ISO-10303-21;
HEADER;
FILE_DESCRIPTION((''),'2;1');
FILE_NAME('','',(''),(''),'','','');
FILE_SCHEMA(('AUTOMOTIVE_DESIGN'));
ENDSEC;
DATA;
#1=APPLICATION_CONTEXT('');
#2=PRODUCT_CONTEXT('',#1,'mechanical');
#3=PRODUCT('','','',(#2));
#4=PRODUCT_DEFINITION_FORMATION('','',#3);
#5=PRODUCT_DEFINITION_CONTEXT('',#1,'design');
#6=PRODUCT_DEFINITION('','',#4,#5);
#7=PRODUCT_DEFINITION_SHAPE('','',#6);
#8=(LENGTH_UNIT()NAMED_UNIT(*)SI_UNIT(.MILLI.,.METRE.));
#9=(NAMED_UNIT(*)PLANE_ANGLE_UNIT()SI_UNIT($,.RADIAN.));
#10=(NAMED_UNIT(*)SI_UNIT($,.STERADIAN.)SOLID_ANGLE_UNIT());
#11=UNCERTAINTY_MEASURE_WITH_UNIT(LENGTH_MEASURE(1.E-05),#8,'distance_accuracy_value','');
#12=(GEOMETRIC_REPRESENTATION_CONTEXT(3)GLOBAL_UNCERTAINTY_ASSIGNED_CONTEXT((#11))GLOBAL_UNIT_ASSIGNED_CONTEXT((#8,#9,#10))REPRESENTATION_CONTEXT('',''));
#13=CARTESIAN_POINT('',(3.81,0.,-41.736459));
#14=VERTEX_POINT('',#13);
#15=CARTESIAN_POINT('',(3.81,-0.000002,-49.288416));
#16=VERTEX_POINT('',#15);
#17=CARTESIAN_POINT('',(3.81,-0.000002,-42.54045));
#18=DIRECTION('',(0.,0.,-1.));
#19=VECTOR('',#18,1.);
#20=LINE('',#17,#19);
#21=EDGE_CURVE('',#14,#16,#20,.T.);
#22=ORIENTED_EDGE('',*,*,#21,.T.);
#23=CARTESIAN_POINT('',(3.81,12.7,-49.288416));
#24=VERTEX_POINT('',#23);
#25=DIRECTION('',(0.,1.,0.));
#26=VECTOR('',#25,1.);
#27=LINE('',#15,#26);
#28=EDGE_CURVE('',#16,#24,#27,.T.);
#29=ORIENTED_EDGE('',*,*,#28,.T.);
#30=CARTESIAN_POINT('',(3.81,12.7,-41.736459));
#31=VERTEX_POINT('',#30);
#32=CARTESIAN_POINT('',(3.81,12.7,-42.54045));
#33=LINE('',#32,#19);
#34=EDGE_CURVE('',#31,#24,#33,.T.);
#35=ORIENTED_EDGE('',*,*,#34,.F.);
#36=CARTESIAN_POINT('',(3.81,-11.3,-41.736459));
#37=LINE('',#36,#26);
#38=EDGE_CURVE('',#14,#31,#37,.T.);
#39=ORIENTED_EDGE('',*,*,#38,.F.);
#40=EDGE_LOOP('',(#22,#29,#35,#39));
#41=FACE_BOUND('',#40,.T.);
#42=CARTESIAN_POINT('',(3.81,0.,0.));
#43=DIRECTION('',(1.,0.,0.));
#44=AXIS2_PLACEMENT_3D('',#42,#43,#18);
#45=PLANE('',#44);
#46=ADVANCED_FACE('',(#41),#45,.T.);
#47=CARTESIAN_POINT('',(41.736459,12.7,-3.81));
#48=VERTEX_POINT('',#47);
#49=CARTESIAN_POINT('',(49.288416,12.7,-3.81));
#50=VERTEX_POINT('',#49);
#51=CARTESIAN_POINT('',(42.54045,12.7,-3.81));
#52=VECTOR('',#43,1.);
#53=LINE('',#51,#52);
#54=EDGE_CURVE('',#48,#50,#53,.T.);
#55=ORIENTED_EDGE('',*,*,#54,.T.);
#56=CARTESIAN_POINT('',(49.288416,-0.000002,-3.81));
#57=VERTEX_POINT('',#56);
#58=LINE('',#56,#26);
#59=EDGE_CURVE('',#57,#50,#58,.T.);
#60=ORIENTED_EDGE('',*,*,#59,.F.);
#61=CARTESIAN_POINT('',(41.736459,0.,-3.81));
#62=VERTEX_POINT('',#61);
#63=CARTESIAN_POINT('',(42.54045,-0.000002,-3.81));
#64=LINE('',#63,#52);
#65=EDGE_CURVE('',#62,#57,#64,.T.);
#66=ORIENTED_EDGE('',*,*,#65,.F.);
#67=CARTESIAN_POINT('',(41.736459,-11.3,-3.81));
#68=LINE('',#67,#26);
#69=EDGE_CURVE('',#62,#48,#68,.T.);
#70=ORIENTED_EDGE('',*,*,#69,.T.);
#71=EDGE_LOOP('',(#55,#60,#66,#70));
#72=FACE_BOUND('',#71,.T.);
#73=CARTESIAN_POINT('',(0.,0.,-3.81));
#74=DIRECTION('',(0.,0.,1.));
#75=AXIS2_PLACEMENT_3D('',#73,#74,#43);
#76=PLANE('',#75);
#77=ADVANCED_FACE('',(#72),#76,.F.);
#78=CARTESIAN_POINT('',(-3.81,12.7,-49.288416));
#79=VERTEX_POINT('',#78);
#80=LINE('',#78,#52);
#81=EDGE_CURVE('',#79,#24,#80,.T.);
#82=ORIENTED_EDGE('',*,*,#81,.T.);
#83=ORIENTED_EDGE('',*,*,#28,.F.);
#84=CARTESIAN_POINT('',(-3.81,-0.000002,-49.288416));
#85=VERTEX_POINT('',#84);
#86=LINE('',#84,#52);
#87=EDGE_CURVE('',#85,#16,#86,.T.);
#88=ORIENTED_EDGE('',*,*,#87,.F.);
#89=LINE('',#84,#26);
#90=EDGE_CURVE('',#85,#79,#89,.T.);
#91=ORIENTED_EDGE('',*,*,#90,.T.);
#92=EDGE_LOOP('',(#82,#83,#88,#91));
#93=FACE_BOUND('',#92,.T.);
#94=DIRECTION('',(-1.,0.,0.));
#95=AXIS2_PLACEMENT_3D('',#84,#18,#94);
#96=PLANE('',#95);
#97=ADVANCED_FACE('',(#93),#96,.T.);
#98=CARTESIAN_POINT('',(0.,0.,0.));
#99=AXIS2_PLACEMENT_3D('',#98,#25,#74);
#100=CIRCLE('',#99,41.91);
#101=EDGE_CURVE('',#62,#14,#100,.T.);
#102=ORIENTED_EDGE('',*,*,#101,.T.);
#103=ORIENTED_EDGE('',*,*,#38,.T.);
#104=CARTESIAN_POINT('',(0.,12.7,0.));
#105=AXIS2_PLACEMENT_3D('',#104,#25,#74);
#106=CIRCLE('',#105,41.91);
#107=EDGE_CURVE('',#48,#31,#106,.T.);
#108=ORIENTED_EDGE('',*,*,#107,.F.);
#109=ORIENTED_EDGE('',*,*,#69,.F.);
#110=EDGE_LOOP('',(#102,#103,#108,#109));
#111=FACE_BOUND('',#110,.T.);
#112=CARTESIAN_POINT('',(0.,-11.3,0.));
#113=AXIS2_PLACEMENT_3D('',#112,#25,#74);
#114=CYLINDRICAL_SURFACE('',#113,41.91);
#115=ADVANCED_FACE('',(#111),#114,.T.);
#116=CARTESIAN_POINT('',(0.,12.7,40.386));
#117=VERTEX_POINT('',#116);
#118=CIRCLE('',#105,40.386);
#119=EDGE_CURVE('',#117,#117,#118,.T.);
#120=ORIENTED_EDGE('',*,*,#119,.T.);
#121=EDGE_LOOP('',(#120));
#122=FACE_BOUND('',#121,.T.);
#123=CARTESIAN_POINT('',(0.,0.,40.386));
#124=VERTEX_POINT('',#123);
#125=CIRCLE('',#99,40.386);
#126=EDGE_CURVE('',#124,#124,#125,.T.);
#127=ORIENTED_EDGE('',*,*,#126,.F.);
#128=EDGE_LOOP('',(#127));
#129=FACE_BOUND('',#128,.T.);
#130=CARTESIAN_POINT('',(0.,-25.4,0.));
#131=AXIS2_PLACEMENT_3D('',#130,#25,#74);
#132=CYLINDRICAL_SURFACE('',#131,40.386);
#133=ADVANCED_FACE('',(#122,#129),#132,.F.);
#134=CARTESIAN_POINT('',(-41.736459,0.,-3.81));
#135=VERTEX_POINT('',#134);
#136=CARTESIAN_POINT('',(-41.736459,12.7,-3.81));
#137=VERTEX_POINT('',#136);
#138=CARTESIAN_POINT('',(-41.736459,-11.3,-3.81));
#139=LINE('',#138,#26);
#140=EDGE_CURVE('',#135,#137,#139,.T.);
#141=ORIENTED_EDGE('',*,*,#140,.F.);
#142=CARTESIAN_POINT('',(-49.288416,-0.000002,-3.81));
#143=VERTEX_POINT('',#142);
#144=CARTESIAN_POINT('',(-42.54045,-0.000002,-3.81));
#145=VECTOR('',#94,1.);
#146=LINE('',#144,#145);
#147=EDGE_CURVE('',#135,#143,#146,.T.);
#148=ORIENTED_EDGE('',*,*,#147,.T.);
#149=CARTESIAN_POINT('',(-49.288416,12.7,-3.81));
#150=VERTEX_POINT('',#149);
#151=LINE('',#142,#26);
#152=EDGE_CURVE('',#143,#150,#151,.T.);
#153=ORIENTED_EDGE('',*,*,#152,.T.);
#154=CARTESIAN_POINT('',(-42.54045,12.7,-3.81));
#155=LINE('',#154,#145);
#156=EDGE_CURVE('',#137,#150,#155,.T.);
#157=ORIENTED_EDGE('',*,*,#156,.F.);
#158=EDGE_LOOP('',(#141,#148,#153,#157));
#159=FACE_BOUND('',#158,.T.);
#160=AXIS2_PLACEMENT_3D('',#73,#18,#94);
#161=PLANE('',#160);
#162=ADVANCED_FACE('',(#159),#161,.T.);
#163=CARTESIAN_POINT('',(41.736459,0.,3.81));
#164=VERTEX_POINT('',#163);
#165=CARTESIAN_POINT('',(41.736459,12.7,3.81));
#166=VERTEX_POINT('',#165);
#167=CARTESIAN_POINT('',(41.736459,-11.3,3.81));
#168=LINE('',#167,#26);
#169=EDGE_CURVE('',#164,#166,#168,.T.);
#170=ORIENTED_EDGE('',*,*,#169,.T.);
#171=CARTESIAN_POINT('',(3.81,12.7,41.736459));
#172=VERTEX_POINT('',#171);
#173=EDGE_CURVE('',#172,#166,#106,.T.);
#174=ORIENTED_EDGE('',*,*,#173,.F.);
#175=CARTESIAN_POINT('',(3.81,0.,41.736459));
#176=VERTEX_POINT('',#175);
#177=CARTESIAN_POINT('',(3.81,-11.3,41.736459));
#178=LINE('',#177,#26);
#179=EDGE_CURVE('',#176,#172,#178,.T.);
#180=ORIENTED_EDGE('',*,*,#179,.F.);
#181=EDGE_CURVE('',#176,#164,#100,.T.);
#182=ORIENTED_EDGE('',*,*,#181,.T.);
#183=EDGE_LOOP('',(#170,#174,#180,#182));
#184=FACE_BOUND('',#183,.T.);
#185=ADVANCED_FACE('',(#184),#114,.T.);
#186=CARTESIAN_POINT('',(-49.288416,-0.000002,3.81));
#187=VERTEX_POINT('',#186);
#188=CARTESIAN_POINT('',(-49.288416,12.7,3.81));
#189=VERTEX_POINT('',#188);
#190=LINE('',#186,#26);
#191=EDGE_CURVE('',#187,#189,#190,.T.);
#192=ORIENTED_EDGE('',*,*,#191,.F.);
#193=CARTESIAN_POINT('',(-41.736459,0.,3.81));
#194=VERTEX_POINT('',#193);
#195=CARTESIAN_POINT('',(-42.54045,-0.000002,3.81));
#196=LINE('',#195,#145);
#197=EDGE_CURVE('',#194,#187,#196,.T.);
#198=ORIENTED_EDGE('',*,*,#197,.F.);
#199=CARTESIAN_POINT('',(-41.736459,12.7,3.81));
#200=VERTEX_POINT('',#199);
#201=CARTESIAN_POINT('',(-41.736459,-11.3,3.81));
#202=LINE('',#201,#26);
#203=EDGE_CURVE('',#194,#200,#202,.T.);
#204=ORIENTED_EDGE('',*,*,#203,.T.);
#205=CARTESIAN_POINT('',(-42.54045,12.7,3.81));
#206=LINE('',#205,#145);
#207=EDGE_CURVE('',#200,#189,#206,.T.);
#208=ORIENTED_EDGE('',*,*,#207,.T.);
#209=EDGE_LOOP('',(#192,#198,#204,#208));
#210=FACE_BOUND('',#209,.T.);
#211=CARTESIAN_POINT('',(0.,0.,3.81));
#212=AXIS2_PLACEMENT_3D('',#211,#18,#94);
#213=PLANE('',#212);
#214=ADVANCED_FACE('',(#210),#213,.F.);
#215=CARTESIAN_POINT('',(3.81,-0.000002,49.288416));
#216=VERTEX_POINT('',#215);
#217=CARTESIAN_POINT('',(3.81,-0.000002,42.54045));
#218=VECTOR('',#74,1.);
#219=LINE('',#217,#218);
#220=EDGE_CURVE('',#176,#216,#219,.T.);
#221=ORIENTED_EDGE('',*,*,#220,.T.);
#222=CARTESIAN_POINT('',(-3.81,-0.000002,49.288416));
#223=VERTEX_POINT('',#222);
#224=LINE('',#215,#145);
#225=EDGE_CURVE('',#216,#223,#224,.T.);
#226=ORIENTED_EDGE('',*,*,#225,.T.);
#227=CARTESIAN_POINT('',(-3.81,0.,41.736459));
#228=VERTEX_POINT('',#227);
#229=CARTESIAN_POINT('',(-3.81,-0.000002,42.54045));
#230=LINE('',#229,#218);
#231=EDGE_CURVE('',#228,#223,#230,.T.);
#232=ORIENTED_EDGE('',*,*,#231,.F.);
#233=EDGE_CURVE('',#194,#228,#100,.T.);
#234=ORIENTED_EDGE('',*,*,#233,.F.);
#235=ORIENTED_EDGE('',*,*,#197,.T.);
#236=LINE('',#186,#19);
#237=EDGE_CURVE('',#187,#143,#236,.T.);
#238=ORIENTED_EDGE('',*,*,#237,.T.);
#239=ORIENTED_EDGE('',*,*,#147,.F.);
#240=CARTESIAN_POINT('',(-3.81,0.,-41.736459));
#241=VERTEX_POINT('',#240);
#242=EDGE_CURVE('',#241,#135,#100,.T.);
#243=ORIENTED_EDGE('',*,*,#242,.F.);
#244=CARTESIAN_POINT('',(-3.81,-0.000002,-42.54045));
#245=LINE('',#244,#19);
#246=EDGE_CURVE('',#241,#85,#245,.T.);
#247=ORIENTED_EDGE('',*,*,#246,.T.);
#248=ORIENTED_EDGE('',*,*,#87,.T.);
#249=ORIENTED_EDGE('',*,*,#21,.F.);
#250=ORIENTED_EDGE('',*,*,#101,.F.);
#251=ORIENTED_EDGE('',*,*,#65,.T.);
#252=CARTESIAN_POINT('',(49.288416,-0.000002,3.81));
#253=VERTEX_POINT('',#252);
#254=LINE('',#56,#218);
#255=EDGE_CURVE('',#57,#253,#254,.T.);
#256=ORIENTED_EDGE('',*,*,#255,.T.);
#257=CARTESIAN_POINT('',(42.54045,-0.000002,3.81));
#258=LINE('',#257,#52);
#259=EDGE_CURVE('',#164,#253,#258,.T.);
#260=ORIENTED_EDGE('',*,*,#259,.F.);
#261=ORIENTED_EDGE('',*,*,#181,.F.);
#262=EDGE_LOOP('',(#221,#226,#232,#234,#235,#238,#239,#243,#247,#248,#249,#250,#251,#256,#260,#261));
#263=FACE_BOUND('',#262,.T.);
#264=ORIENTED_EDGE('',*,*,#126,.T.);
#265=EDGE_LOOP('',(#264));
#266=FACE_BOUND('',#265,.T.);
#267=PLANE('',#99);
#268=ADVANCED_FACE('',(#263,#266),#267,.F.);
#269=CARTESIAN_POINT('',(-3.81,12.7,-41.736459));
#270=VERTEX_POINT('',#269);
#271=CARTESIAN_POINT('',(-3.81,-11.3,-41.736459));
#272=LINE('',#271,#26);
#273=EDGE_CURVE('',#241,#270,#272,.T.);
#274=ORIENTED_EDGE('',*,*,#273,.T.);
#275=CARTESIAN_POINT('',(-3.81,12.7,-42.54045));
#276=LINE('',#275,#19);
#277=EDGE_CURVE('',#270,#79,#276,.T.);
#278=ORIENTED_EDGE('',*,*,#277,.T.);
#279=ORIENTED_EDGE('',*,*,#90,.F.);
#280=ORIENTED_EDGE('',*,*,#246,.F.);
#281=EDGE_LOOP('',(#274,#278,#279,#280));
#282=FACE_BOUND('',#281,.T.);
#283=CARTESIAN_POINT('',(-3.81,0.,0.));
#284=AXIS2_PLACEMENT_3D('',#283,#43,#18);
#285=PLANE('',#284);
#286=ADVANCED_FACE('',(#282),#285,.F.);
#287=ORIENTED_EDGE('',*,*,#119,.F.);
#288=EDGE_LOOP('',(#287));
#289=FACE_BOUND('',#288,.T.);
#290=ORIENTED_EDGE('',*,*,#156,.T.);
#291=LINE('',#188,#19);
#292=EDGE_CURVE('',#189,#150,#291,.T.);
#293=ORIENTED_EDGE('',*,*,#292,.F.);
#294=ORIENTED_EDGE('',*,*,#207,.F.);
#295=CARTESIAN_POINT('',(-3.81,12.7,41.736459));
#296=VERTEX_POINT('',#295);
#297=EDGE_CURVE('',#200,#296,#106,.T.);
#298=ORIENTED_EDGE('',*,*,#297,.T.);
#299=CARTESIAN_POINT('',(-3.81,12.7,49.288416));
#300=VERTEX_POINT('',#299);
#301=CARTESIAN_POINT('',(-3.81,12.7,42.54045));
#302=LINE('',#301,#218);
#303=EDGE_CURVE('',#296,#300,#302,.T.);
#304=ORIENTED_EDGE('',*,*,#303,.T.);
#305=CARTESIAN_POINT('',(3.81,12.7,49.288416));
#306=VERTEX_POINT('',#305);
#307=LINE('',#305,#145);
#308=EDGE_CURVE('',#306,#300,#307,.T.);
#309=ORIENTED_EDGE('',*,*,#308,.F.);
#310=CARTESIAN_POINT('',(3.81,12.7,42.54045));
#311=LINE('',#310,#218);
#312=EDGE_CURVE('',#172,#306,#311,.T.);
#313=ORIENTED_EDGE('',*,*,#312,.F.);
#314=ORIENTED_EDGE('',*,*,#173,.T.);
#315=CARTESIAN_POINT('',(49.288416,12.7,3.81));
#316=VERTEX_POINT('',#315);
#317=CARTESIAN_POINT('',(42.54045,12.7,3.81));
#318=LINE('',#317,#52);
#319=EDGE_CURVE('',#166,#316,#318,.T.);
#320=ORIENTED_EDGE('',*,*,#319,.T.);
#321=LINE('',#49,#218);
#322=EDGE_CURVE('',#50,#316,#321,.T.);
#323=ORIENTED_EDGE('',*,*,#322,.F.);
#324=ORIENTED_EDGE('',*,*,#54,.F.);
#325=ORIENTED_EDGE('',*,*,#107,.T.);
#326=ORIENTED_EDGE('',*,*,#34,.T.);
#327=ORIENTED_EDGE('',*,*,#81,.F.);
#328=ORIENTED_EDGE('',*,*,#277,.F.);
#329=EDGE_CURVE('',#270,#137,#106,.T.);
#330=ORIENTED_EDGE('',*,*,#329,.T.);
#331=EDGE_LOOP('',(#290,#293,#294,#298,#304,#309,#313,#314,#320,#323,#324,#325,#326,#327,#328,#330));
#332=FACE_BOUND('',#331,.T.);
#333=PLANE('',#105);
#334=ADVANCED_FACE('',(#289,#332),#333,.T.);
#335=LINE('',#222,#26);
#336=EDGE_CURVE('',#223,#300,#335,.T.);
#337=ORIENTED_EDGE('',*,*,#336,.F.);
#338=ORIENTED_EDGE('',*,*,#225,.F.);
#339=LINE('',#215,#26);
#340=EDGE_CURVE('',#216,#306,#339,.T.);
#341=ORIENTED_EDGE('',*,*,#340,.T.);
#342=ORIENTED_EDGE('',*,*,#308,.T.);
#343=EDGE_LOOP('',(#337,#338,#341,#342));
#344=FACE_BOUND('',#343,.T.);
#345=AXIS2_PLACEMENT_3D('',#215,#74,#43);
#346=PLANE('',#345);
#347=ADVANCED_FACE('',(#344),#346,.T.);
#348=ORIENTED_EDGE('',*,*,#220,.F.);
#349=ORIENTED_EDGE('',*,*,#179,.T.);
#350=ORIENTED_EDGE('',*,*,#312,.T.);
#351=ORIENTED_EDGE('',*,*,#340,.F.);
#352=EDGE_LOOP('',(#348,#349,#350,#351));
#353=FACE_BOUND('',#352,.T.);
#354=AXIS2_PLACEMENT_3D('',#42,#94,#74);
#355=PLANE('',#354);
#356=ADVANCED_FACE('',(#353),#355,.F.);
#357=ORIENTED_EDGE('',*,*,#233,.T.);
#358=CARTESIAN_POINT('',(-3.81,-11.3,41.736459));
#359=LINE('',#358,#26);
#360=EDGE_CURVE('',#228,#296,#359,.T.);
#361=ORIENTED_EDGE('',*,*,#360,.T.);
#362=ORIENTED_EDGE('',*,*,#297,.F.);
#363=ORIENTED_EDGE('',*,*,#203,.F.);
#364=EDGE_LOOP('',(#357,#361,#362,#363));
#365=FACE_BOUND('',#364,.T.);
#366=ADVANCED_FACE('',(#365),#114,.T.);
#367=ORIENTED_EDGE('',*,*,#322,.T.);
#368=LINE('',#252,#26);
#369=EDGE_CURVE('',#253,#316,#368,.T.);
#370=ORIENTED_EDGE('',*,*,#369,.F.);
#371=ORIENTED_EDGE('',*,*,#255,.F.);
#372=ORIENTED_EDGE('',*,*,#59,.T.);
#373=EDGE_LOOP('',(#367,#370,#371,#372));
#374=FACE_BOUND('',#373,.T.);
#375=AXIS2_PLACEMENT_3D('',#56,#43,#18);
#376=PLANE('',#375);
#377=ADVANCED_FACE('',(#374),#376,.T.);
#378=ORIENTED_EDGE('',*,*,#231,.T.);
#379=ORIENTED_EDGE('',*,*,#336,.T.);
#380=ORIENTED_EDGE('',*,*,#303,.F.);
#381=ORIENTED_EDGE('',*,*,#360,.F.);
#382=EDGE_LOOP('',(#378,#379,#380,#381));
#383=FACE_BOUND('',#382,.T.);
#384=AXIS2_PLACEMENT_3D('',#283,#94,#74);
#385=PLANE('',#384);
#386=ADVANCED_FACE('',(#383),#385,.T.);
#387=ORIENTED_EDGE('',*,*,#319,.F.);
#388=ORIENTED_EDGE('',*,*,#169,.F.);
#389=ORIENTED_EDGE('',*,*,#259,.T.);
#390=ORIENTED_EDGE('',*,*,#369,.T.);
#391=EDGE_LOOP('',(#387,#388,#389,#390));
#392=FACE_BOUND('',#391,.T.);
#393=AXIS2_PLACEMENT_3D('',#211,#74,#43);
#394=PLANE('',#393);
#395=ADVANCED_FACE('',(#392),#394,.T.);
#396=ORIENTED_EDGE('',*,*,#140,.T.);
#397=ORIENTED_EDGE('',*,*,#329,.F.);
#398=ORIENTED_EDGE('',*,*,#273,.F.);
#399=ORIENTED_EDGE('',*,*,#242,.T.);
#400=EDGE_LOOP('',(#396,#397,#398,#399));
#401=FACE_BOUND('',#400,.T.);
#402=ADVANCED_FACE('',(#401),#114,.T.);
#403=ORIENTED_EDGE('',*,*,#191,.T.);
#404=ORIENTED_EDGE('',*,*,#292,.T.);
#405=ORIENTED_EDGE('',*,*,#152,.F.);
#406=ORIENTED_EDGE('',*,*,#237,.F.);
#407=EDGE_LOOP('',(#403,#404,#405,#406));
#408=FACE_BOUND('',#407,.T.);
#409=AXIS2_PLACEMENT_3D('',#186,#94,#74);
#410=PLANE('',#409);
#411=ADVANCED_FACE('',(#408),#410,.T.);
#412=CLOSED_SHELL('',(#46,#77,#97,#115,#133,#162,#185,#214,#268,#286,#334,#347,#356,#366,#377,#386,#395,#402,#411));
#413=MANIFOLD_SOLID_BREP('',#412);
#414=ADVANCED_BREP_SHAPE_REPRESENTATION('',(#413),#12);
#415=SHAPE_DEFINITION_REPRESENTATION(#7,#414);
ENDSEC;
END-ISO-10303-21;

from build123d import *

# Parameters (mm, degrees)
SKETCH1_R           = 42.9384162
BOSS_EXTRUDE1_DEPTH = 12.7
SKETCH6_W           = 6.747965948
SKETCH6_H           = 12.700002404
BOSS_EXTRUDE2_DEPTH = 3.81
CIRPATTERN8_COUNT   = 4
CUT_EXTRUDE3_START  = -24
CUT_EXTRUDE3_DEPTH  = 24
SKETCH10_R          = 40.386
CUT_EXTRUDE4_DEPTH  = 38.1


with BuildPart() as part:
    # Sketch1 → Boss-Extrude1 (new body)
    with BuildSketch(Plane(origin=(0, 0, 0), x_dir=(1, 0, 0), z_dir=(0, 1, 0))):
        with Locations(Location((0, 0, 0), (0, 0, 270))):
            Circle(SKETCH1_R)
    extrude(amount=BOSS_EXTRUDE1_DEPTH)

    # Sketch6 → Boss-Extrude2 (add, symmetric)
    with BuildSketch(Plane.XY):
        with Locations((45.914433226, 6.349998798)):
            Rectangle(SKETCH6_W, SKETCH6_H)
    boss_extrude2 = extrude(amount=BOSS_EXTRUDE2_DEPTH, both=True)

    # CirPattern8: Boss-Extrude2 ×4 about axis
    cirpattern8_axis = Axis((0, 0, 0), (0, 1, 0))
    for i in range(1, CIRPATTERN8_COUNT):
        add(boss_extrude2.rotate(cirpattern8_axis, i * 360 / CIRPATTERN8_COUNT))

    # Sketch8 → Cut-Extrude3 (cut)
    with BuildSketch(Plane(origin=(0, 12.7, 0), x_dir=(1, 0, 0), z_dir=(0, 1, 0)).offset(CUT_EXTRUDE3_START)):
        with BuildLine():
            Line((-41.736458882, -3.81), (-42.769048222, -3.81))
            ThreePointArc((-42.769048222, -3.81), (-30.362045269, -30.362045269), (-3.81, -42.769048222))
            Line((-3.81, -42.769048222), (-3.81, -41.736458882))
            ThreePointArc((-3.81, -41.736458882), (-29.6348452, -29.6348452), (-41.736458882, -3.81))
        make_face()
        with BuildLine():
            Line((3.81, -41.736458882), (3.81, -42.769048222))
            ThreePointArc((3.81, -42.769048222), (30.362045269, -30.362045269), (42.769048222, -3.81))
            Line((42.769048222, -3.81), (41.736458882, -3.81))
            ThreePointArc((41.736458882, -3.81), (29.6348452, -29.6348452), (3.81, -41.736458882))
        make_face()
        with BuildLine():
            ThreePointArc((42.769048222, 3.81), (30.362045269, 30.362045269), (3.81, 42.769048222))
            Line((3.81, 42.769048222), (3.81, 41.736458882))
            ThreePointArc((3.81, 41.736458882), (29.6348452, 29.6348452), (41.736458882, 3.81))
            Line((41.736458882, 3.81), (42.769048222, 3.81))
        make_face()
        with BuildLine():
            ThreePointArc((-3.81, 42.769048222), (-30.362045269, 30.362045269), (-42.769048222, 3.81))
            Line((-42.769048222, 3.81), (-41.736458882, 3.81))
            ThreePointArc((-41.736458882, 3.81), (-29.6348452, 29.6348452), (-3.81, 41.736458882))
            Line((-3.81, 41.736458882), (-3.81, 42.769048222))
        make_face()
    extrude(amount=CUT_EXTRUDE3_DEPTH, mode=Mode.SUBTRACT)

    # Sketch10 → Cut-Extrude4 (cut)
    with BuildSketch(Plane(origin=(0, 12.7, 0), x_dir=(1, 0, 0), z_dir=(0, 1, 0))):
        with Locations(Location((0, 0, 0), (0, 0, 270))):
            Circle(SKETCH10_R)
    extrude(amount=-CUT_EXTRUDE4_DEPTH, mode=Mode.SUBTRACT)


solid = part.part
